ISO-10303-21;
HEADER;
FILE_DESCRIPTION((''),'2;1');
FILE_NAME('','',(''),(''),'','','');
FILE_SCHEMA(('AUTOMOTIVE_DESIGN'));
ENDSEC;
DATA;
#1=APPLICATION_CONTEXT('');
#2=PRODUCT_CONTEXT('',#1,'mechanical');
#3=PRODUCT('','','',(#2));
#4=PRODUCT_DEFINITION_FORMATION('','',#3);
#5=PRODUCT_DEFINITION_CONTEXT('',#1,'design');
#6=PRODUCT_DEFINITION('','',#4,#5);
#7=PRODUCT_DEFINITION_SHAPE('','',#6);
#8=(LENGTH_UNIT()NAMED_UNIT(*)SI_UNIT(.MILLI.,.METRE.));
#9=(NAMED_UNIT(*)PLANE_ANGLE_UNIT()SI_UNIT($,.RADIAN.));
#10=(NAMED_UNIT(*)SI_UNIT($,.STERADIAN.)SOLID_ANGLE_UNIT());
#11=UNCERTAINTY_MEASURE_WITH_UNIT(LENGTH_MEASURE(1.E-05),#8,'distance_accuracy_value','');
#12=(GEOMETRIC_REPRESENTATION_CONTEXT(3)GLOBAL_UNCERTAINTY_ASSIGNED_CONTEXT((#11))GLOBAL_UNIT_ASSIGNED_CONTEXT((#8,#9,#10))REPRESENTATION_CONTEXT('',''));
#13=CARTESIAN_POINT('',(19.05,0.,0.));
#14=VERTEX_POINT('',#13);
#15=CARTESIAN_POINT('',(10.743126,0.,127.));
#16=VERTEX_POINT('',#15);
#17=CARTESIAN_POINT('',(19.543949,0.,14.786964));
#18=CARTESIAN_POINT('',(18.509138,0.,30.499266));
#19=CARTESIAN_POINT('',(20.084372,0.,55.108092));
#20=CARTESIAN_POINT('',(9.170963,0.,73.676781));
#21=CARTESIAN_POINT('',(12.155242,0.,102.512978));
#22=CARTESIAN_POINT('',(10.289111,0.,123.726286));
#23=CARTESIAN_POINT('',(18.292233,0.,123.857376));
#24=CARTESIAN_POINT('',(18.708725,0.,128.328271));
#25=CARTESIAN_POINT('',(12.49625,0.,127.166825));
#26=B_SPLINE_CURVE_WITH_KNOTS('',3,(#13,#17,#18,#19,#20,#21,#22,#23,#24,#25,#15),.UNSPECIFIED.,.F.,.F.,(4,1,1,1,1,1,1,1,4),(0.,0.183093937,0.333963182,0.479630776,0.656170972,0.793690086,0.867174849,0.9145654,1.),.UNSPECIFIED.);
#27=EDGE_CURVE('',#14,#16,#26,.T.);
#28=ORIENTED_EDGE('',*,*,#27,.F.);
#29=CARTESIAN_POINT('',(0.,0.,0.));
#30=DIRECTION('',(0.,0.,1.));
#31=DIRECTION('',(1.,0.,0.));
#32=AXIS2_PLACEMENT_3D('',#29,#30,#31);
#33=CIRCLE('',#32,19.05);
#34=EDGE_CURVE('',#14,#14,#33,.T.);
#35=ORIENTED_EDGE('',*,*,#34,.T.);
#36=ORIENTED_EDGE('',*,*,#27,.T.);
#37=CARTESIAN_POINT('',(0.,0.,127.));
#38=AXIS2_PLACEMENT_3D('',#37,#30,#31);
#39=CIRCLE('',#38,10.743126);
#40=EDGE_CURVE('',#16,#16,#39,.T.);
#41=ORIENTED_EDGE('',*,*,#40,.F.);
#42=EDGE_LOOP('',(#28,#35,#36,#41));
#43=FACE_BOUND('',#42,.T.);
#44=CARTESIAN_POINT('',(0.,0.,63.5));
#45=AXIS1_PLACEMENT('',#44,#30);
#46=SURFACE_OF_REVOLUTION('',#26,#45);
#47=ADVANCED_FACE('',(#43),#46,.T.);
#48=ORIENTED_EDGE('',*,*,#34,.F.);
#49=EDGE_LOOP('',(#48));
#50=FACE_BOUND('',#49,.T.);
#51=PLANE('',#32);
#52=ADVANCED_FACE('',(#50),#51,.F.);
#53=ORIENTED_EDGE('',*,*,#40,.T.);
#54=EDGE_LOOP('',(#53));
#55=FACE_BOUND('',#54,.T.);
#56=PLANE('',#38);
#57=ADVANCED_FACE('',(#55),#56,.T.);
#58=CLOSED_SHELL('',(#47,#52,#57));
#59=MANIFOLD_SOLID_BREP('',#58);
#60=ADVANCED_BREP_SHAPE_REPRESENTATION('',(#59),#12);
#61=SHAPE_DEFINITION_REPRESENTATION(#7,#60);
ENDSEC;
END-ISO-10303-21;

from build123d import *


with BuildPart() as f1:
    # F0 (on Front) → F1 (revolve)
    with BuildSketch(Plane.XZ):
        with BuildLine():
            Line((0, 127), (0, 0))
            Line((0, 0), (19.05, 0))
            add(Edge.make_bspline(
                [(19.05, 0), (19.5439486724, 14.786964498), (18.5091380496, 30.4992664726), (20.0843716529, 55.1080917177), (9.170962703, 73.6767806225), (12.1552420363, 102.512977824), (10.2891112637, 123.7262856233), (18.2922333795, 123.8573764163), (18.7087254381, 128.3282709377), (12.4962495056, 127.1668250231), (10.7431262732, 127)],
                knots=[0, 0, 0, 0, 0.1830939374, 0.3339631819, 0.4796307756, 0.6561709717, 0.7936900856, 0.8671748488, 0.9145653999, 1, 1, 1, 1], degree=3))
            Line((10.7431262732, 127), (0, 127))
        make_face()
    revolve(axis=Axis((0, 0, 63.5), (0, 0, 1)))


solid = f1.part
